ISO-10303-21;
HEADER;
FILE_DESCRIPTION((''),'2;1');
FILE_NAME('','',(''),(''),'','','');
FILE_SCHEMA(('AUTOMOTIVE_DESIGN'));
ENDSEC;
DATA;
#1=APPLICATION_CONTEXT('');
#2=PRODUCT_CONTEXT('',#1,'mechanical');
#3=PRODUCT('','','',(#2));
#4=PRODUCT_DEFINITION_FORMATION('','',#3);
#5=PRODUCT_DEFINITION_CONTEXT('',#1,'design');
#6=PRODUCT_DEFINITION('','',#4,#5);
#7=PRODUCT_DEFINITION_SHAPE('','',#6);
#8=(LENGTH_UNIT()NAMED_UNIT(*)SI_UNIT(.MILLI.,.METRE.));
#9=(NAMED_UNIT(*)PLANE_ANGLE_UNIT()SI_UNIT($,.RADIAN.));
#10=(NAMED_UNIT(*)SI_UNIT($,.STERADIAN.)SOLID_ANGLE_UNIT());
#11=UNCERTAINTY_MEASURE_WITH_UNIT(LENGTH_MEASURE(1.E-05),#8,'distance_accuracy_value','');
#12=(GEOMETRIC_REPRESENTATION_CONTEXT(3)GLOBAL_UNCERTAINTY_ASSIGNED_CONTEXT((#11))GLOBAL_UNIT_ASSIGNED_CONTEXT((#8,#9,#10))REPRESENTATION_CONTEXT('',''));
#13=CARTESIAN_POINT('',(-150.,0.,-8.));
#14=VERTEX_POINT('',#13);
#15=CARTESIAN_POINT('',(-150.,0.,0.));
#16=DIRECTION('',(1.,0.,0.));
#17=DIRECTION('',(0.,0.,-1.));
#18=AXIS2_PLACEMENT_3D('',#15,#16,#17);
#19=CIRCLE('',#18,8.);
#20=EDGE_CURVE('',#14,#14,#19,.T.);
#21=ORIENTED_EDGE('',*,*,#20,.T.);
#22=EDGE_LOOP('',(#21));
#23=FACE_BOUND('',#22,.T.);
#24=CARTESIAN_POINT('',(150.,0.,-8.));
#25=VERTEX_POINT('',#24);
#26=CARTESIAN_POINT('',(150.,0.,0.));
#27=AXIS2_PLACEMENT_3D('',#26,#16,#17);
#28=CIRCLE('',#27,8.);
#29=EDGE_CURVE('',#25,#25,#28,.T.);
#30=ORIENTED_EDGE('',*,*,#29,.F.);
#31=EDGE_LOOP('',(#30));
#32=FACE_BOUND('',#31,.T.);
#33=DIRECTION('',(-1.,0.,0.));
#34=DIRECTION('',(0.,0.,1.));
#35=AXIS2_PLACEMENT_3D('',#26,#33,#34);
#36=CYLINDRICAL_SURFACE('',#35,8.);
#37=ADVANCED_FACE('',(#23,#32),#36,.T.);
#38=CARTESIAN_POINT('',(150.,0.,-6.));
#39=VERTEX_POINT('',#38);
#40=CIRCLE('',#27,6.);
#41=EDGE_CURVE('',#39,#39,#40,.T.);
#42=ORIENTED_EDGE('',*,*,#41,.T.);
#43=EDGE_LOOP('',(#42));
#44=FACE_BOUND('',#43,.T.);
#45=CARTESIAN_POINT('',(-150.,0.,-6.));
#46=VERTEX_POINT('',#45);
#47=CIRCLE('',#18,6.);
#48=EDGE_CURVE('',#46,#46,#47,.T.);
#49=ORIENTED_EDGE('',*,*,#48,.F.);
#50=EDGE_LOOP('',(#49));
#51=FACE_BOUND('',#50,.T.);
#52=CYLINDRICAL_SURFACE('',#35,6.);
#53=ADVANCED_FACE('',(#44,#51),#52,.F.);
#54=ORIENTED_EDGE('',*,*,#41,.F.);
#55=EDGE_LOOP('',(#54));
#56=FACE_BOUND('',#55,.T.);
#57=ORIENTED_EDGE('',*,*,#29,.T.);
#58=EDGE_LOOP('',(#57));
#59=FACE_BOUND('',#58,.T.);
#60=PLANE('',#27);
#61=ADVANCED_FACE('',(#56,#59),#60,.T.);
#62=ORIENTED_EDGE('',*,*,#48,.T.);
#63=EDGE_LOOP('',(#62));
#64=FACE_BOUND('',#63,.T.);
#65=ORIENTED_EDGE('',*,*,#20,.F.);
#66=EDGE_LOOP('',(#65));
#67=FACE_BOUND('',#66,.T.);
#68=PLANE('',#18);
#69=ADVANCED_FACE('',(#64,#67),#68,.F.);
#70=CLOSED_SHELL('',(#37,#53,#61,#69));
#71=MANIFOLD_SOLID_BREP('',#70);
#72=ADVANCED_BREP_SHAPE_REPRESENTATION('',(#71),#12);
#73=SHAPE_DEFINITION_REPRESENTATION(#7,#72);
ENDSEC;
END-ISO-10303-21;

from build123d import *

# Parameters (mm, degrees)
SCHIZZO2_R                = 8
SCHIZZO2_R_2              = 6
ESTRUSIONE_SOTTILE1_DEPTH = 150


with BuildPart() as part:
    # Schizzo2 → Estrusione-Sottile1 (new, symmetric)
    with BuildSketch(Plane(origin=(0, 0, 0), x_dir=(0, 0, -1), z_dir=(1, 0, 0))):
        Circle(SCHIZZO2_R)
        Circle(SCHIZZO2_R_2, mode=Mode.SUBTRACT)
    extrude(amount=ESTRUSIONE_SOTTILE1_DEPTH, both=True)


solid = part.part
